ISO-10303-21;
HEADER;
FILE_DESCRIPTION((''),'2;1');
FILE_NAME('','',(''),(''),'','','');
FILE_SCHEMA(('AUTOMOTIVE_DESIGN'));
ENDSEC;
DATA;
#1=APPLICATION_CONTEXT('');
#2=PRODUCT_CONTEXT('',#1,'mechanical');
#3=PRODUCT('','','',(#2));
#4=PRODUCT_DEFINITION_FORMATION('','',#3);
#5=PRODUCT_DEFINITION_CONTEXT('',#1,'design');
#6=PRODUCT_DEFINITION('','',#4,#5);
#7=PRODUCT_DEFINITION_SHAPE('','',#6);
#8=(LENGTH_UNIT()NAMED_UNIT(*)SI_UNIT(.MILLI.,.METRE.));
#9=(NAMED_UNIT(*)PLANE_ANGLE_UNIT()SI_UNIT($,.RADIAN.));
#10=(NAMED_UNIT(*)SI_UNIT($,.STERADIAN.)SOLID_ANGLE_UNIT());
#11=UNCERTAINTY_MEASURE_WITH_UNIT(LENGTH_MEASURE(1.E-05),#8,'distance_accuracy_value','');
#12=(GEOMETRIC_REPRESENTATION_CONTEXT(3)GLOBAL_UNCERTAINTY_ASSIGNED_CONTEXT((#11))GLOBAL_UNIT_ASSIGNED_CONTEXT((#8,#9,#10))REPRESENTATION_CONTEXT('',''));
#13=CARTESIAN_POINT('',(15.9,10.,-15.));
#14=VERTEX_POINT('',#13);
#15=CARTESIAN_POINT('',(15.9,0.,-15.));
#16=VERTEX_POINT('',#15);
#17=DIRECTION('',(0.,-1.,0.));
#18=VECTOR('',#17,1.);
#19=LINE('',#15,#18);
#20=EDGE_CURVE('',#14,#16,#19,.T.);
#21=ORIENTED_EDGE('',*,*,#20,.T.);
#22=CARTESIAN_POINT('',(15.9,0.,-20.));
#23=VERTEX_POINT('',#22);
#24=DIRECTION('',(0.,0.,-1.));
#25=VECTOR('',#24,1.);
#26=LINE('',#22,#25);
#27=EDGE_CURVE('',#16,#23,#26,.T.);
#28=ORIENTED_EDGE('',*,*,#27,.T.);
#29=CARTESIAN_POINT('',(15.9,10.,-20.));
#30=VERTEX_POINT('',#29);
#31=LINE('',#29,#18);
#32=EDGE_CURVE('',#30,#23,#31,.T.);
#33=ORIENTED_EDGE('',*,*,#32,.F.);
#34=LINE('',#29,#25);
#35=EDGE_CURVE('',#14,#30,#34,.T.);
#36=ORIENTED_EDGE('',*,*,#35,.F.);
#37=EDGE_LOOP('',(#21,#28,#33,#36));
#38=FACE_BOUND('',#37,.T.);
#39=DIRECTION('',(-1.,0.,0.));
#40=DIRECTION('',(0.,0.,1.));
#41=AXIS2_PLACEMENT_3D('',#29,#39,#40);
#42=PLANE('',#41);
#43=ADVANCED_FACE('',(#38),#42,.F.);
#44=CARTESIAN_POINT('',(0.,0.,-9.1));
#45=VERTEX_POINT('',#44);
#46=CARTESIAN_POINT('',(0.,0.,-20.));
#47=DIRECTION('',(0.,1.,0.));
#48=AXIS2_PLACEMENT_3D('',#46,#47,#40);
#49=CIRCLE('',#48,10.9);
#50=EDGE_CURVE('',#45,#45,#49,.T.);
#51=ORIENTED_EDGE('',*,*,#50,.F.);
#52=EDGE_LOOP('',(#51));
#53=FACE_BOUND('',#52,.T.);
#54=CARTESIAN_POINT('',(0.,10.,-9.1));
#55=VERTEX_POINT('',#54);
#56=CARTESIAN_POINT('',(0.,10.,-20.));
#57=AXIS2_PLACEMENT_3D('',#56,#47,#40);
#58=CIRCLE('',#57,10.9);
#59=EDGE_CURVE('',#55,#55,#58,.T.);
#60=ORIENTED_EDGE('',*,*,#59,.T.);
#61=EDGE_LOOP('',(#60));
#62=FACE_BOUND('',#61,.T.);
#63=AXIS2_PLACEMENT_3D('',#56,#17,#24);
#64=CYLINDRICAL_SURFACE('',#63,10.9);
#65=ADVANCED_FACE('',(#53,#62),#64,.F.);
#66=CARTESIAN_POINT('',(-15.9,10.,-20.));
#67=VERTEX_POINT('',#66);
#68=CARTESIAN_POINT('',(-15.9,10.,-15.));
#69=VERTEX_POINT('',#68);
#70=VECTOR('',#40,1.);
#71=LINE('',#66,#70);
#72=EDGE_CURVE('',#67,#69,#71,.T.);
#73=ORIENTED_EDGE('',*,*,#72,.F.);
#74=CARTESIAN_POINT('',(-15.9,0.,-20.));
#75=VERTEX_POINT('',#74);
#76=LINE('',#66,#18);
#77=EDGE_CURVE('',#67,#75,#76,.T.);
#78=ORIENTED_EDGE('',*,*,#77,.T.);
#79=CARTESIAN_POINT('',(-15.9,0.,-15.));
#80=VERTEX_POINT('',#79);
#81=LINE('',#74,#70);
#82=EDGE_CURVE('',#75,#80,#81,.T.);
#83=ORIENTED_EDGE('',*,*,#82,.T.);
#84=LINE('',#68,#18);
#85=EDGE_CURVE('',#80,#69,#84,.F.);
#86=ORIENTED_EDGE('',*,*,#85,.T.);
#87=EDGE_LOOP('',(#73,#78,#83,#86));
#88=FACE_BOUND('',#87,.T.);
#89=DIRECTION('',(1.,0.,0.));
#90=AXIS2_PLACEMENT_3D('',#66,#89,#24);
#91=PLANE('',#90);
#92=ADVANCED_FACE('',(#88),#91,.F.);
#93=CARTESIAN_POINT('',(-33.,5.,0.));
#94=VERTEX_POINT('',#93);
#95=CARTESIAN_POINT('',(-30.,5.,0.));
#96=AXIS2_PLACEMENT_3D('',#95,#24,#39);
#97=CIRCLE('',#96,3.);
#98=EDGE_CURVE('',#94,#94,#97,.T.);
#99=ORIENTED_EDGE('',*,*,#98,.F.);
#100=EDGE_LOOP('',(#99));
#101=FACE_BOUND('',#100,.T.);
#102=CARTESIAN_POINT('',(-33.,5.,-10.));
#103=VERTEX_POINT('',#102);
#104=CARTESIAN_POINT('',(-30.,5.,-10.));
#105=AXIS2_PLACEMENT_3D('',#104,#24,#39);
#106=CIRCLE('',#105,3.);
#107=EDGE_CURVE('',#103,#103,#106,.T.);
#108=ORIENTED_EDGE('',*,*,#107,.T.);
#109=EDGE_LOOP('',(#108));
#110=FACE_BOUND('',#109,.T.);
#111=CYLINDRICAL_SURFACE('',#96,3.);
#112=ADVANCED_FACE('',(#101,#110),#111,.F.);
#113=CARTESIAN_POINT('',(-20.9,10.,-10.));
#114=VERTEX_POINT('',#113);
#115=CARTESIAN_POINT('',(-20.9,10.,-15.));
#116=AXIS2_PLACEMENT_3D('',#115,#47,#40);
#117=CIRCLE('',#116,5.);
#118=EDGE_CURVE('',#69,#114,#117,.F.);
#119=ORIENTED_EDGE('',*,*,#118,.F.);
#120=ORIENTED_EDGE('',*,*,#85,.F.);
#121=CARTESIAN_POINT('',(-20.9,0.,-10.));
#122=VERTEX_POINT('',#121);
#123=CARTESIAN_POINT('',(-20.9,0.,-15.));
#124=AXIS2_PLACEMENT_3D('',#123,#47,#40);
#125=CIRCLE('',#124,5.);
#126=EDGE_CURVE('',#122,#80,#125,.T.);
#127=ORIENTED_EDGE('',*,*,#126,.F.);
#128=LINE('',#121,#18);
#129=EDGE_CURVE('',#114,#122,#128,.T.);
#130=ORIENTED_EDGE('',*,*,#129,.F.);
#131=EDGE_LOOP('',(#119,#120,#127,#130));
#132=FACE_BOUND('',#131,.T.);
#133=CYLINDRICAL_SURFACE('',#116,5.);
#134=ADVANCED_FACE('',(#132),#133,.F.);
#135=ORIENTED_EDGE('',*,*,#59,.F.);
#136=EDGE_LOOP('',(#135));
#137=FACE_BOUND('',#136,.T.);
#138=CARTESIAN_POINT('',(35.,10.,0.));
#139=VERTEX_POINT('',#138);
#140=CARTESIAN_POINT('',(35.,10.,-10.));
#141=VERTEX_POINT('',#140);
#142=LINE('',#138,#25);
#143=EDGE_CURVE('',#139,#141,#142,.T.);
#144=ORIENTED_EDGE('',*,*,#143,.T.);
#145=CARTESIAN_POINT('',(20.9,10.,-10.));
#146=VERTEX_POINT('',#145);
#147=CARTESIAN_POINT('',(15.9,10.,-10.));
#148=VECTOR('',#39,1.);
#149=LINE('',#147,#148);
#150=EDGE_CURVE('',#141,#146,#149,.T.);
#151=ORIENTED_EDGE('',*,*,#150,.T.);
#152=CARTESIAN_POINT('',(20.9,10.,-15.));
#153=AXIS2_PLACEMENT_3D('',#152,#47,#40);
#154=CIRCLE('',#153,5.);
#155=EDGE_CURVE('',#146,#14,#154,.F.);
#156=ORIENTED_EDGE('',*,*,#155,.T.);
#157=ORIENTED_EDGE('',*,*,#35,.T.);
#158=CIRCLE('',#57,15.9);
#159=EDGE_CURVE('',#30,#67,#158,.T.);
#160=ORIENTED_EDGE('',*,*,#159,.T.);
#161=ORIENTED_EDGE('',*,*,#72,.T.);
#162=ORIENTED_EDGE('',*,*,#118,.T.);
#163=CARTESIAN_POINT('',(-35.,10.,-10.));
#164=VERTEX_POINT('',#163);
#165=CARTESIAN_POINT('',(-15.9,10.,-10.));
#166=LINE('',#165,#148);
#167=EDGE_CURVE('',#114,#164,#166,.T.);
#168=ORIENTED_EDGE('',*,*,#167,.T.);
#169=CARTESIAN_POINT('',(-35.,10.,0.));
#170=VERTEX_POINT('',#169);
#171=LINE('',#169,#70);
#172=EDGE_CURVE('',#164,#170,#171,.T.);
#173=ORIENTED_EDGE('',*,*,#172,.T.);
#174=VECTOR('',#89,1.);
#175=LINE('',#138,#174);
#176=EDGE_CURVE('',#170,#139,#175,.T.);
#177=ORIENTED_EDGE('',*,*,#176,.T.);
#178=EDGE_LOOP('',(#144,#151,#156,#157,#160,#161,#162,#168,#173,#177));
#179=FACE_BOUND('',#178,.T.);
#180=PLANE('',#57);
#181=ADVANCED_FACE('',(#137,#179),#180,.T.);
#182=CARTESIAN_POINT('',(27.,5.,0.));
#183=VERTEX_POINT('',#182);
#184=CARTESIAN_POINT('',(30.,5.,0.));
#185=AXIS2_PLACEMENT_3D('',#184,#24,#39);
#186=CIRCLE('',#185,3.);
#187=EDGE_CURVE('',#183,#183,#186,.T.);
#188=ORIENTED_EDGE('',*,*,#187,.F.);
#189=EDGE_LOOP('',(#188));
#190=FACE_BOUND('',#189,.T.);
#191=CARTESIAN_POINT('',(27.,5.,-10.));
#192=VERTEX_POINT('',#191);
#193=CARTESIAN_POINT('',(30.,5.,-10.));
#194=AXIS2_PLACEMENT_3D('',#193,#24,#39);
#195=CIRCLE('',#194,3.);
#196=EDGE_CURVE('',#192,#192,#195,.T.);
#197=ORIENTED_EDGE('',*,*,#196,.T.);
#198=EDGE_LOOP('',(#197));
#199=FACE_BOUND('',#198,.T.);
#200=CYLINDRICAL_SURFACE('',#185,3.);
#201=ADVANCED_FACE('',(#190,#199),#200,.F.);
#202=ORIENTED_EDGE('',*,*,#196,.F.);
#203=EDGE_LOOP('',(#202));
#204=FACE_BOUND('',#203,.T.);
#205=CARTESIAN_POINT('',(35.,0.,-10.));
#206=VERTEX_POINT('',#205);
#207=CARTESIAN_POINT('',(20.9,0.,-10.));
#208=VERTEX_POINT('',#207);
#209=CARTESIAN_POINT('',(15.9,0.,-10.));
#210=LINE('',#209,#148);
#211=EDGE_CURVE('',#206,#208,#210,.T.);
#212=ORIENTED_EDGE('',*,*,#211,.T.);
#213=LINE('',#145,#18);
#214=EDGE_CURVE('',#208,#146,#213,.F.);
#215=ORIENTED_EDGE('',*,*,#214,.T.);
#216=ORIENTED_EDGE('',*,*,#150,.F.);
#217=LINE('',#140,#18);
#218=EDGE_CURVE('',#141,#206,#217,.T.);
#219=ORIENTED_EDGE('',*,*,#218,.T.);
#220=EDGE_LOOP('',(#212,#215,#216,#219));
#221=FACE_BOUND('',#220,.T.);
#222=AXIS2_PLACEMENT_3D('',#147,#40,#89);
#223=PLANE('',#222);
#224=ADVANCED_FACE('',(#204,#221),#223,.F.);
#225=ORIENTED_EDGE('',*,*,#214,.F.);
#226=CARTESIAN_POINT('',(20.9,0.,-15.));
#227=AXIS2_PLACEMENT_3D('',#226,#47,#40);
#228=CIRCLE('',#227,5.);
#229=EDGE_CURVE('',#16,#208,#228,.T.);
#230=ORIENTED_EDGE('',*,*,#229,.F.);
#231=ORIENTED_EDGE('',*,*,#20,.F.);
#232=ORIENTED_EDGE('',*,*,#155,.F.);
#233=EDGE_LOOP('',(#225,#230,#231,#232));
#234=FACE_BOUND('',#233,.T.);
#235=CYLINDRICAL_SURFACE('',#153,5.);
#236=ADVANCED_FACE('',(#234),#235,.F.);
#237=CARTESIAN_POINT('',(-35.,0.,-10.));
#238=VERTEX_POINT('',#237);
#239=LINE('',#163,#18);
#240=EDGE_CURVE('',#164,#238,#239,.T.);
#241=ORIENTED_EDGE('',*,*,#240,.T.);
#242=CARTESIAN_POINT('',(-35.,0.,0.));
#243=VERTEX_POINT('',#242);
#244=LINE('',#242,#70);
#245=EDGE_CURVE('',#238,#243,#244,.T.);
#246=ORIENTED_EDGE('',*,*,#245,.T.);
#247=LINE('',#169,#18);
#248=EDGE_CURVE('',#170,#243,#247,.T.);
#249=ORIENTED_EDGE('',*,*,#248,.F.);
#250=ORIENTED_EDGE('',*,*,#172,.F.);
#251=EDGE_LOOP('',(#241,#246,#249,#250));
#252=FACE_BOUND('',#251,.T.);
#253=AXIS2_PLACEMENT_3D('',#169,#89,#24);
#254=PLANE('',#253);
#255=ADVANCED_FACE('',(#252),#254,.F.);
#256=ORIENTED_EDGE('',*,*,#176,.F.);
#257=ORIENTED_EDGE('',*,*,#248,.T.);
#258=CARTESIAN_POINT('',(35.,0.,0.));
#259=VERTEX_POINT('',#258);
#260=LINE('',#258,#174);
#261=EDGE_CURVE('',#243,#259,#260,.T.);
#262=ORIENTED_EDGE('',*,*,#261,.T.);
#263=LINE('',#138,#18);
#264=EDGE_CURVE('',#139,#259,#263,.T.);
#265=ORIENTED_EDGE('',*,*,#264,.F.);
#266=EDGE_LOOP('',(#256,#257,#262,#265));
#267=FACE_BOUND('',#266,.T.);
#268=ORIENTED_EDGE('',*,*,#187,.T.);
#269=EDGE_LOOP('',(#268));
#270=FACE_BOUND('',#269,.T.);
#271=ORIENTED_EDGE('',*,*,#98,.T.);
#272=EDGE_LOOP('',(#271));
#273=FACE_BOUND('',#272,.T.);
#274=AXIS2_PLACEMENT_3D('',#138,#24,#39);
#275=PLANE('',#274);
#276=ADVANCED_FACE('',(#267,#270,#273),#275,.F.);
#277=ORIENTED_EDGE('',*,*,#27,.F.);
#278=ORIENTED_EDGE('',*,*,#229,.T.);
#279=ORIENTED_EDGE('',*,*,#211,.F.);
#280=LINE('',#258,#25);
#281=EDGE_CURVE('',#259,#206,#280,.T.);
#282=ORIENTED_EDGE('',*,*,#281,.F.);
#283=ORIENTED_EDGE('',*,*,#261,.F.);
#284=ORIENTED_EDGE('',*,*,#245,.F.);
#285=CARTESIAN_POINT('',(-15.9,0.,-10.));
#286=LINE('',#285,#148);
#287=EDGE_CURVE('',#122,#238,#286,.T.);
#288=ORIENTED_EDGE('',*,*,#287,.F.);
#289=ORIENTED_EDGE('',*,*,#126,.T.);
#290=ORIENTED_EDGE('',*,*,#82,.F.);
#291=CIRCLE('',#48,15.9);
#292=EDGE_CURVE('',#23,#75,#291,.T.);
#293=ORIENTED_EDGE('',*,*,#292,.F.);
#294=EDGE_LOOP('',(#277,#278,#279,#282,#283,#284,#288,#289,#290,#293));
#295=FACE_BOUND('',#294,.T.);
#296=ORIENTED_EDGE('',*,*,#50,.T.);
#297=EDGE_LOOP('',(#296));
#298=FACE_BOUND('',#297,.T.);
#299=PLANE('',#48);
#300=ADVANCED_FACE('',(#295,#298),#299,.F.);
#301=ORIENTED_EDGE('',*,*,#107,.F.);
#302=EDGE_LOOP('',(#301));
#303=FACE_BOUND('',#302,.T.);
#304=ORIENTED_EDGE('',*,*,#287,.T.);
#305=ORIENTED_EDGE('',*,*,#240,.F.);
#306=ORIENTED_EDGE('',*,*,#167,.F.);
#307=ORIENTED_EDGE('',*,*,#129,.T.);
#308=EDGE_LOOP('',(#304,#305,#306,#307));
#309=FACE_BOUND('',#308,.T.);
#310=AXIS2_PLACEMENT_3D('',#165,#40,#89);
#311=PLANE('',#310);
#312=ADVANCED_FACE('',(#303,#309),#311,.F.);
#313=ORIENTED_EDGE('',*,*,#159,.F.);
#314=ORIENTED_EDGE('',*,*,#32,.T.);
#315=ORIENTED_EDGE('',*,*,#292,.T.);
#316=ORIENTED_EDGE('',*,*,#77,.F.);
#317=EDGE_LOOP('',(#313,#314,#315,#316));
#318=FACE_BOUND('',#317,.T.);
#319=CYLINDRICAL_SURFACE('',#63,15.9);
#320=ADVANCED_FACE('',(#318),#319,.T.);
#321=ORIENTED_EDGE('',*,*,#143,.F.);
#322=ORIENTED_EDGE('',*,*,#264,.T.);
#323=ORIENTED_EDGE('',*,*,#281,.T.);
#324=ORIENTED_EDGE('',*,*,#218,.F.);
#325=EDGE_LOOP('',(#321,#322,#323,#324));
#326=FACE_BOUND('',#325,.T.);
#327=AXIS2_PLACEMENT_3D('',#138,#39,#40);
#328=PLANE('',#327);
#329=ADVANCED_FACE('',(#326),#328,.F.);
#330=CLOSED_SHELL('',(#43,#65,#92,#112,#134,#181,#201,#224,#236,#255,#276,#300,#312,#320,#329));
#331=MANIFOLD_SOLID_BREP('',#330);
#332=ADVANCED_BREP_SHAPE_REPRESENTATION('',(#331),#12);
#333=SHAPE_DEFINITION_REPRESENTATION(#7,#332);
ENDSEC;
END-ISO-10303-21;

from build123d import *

# Parameters (mm, degrees)
SKETCH1_R           = 10.9
BOSS_EXTRUDE1_DEPTH = 10
FILLET1_R           = 5
SKETCH2_R           = 3
CUT_EXTRUDE1_DEPTH  = 45.674489365


with BuildPart() as part:
    # Sketch1 → Boss-Extrude1 (new body)
    with BuildSketch(Plane(origin=(0, 0, 0), x_dir=(1, 0, 0), z_dir=(0, 1, 0))):
        with BuildLine():
            Line((35, 0), (-35, 0))
            Line((-35, 0), (-35, 10))
            Line((-35, 10), (-15.9, 10))
            Line((-15.9, 10), (-15.9, 20))
            ThreePointArc((-15.9, 20), (0, 35.9), (15.9, 20))
            Line((15.9, 20), (15.9, 10))
            Line((15.9, 10), (35, 10))
            Line((35, 10), (35, 0))
        make_face()
        with Locations(Location((0, 20, 0), (0, 0, 270))):
            Circle(SKETCH1_R, mode=Mode.SUBTRACT)
    extrude(amount=BOSS_EXTRUDE1_DEPTH)

    # Fillet1
    fillet1_edges = [part.edges().sort_by_distance(p)[0] for p in [
        (15.9, 5, -10),
        (-15.9, 5, -10),
    ]]
    fillet(fillet1_edges, radius=FILLET1_R)

    # Sketch2 → Cut-Extrude1 (cut, through all)
    with BuildSketch(Plane(origin=(0, 0, -10), x_dir=(-1, 0, 0), z_dir=(0, 0, -1))):
        with Locations((-30, 5)):
            Circle(SKETCH2_R)
        with Locations((30, 5)):
            Circle(SKETCH2_R)
    extrude(amount=-CUT_EXTRUDE1_DEPTH, mode=Mode.SUBTRACT)


solid = part.part
